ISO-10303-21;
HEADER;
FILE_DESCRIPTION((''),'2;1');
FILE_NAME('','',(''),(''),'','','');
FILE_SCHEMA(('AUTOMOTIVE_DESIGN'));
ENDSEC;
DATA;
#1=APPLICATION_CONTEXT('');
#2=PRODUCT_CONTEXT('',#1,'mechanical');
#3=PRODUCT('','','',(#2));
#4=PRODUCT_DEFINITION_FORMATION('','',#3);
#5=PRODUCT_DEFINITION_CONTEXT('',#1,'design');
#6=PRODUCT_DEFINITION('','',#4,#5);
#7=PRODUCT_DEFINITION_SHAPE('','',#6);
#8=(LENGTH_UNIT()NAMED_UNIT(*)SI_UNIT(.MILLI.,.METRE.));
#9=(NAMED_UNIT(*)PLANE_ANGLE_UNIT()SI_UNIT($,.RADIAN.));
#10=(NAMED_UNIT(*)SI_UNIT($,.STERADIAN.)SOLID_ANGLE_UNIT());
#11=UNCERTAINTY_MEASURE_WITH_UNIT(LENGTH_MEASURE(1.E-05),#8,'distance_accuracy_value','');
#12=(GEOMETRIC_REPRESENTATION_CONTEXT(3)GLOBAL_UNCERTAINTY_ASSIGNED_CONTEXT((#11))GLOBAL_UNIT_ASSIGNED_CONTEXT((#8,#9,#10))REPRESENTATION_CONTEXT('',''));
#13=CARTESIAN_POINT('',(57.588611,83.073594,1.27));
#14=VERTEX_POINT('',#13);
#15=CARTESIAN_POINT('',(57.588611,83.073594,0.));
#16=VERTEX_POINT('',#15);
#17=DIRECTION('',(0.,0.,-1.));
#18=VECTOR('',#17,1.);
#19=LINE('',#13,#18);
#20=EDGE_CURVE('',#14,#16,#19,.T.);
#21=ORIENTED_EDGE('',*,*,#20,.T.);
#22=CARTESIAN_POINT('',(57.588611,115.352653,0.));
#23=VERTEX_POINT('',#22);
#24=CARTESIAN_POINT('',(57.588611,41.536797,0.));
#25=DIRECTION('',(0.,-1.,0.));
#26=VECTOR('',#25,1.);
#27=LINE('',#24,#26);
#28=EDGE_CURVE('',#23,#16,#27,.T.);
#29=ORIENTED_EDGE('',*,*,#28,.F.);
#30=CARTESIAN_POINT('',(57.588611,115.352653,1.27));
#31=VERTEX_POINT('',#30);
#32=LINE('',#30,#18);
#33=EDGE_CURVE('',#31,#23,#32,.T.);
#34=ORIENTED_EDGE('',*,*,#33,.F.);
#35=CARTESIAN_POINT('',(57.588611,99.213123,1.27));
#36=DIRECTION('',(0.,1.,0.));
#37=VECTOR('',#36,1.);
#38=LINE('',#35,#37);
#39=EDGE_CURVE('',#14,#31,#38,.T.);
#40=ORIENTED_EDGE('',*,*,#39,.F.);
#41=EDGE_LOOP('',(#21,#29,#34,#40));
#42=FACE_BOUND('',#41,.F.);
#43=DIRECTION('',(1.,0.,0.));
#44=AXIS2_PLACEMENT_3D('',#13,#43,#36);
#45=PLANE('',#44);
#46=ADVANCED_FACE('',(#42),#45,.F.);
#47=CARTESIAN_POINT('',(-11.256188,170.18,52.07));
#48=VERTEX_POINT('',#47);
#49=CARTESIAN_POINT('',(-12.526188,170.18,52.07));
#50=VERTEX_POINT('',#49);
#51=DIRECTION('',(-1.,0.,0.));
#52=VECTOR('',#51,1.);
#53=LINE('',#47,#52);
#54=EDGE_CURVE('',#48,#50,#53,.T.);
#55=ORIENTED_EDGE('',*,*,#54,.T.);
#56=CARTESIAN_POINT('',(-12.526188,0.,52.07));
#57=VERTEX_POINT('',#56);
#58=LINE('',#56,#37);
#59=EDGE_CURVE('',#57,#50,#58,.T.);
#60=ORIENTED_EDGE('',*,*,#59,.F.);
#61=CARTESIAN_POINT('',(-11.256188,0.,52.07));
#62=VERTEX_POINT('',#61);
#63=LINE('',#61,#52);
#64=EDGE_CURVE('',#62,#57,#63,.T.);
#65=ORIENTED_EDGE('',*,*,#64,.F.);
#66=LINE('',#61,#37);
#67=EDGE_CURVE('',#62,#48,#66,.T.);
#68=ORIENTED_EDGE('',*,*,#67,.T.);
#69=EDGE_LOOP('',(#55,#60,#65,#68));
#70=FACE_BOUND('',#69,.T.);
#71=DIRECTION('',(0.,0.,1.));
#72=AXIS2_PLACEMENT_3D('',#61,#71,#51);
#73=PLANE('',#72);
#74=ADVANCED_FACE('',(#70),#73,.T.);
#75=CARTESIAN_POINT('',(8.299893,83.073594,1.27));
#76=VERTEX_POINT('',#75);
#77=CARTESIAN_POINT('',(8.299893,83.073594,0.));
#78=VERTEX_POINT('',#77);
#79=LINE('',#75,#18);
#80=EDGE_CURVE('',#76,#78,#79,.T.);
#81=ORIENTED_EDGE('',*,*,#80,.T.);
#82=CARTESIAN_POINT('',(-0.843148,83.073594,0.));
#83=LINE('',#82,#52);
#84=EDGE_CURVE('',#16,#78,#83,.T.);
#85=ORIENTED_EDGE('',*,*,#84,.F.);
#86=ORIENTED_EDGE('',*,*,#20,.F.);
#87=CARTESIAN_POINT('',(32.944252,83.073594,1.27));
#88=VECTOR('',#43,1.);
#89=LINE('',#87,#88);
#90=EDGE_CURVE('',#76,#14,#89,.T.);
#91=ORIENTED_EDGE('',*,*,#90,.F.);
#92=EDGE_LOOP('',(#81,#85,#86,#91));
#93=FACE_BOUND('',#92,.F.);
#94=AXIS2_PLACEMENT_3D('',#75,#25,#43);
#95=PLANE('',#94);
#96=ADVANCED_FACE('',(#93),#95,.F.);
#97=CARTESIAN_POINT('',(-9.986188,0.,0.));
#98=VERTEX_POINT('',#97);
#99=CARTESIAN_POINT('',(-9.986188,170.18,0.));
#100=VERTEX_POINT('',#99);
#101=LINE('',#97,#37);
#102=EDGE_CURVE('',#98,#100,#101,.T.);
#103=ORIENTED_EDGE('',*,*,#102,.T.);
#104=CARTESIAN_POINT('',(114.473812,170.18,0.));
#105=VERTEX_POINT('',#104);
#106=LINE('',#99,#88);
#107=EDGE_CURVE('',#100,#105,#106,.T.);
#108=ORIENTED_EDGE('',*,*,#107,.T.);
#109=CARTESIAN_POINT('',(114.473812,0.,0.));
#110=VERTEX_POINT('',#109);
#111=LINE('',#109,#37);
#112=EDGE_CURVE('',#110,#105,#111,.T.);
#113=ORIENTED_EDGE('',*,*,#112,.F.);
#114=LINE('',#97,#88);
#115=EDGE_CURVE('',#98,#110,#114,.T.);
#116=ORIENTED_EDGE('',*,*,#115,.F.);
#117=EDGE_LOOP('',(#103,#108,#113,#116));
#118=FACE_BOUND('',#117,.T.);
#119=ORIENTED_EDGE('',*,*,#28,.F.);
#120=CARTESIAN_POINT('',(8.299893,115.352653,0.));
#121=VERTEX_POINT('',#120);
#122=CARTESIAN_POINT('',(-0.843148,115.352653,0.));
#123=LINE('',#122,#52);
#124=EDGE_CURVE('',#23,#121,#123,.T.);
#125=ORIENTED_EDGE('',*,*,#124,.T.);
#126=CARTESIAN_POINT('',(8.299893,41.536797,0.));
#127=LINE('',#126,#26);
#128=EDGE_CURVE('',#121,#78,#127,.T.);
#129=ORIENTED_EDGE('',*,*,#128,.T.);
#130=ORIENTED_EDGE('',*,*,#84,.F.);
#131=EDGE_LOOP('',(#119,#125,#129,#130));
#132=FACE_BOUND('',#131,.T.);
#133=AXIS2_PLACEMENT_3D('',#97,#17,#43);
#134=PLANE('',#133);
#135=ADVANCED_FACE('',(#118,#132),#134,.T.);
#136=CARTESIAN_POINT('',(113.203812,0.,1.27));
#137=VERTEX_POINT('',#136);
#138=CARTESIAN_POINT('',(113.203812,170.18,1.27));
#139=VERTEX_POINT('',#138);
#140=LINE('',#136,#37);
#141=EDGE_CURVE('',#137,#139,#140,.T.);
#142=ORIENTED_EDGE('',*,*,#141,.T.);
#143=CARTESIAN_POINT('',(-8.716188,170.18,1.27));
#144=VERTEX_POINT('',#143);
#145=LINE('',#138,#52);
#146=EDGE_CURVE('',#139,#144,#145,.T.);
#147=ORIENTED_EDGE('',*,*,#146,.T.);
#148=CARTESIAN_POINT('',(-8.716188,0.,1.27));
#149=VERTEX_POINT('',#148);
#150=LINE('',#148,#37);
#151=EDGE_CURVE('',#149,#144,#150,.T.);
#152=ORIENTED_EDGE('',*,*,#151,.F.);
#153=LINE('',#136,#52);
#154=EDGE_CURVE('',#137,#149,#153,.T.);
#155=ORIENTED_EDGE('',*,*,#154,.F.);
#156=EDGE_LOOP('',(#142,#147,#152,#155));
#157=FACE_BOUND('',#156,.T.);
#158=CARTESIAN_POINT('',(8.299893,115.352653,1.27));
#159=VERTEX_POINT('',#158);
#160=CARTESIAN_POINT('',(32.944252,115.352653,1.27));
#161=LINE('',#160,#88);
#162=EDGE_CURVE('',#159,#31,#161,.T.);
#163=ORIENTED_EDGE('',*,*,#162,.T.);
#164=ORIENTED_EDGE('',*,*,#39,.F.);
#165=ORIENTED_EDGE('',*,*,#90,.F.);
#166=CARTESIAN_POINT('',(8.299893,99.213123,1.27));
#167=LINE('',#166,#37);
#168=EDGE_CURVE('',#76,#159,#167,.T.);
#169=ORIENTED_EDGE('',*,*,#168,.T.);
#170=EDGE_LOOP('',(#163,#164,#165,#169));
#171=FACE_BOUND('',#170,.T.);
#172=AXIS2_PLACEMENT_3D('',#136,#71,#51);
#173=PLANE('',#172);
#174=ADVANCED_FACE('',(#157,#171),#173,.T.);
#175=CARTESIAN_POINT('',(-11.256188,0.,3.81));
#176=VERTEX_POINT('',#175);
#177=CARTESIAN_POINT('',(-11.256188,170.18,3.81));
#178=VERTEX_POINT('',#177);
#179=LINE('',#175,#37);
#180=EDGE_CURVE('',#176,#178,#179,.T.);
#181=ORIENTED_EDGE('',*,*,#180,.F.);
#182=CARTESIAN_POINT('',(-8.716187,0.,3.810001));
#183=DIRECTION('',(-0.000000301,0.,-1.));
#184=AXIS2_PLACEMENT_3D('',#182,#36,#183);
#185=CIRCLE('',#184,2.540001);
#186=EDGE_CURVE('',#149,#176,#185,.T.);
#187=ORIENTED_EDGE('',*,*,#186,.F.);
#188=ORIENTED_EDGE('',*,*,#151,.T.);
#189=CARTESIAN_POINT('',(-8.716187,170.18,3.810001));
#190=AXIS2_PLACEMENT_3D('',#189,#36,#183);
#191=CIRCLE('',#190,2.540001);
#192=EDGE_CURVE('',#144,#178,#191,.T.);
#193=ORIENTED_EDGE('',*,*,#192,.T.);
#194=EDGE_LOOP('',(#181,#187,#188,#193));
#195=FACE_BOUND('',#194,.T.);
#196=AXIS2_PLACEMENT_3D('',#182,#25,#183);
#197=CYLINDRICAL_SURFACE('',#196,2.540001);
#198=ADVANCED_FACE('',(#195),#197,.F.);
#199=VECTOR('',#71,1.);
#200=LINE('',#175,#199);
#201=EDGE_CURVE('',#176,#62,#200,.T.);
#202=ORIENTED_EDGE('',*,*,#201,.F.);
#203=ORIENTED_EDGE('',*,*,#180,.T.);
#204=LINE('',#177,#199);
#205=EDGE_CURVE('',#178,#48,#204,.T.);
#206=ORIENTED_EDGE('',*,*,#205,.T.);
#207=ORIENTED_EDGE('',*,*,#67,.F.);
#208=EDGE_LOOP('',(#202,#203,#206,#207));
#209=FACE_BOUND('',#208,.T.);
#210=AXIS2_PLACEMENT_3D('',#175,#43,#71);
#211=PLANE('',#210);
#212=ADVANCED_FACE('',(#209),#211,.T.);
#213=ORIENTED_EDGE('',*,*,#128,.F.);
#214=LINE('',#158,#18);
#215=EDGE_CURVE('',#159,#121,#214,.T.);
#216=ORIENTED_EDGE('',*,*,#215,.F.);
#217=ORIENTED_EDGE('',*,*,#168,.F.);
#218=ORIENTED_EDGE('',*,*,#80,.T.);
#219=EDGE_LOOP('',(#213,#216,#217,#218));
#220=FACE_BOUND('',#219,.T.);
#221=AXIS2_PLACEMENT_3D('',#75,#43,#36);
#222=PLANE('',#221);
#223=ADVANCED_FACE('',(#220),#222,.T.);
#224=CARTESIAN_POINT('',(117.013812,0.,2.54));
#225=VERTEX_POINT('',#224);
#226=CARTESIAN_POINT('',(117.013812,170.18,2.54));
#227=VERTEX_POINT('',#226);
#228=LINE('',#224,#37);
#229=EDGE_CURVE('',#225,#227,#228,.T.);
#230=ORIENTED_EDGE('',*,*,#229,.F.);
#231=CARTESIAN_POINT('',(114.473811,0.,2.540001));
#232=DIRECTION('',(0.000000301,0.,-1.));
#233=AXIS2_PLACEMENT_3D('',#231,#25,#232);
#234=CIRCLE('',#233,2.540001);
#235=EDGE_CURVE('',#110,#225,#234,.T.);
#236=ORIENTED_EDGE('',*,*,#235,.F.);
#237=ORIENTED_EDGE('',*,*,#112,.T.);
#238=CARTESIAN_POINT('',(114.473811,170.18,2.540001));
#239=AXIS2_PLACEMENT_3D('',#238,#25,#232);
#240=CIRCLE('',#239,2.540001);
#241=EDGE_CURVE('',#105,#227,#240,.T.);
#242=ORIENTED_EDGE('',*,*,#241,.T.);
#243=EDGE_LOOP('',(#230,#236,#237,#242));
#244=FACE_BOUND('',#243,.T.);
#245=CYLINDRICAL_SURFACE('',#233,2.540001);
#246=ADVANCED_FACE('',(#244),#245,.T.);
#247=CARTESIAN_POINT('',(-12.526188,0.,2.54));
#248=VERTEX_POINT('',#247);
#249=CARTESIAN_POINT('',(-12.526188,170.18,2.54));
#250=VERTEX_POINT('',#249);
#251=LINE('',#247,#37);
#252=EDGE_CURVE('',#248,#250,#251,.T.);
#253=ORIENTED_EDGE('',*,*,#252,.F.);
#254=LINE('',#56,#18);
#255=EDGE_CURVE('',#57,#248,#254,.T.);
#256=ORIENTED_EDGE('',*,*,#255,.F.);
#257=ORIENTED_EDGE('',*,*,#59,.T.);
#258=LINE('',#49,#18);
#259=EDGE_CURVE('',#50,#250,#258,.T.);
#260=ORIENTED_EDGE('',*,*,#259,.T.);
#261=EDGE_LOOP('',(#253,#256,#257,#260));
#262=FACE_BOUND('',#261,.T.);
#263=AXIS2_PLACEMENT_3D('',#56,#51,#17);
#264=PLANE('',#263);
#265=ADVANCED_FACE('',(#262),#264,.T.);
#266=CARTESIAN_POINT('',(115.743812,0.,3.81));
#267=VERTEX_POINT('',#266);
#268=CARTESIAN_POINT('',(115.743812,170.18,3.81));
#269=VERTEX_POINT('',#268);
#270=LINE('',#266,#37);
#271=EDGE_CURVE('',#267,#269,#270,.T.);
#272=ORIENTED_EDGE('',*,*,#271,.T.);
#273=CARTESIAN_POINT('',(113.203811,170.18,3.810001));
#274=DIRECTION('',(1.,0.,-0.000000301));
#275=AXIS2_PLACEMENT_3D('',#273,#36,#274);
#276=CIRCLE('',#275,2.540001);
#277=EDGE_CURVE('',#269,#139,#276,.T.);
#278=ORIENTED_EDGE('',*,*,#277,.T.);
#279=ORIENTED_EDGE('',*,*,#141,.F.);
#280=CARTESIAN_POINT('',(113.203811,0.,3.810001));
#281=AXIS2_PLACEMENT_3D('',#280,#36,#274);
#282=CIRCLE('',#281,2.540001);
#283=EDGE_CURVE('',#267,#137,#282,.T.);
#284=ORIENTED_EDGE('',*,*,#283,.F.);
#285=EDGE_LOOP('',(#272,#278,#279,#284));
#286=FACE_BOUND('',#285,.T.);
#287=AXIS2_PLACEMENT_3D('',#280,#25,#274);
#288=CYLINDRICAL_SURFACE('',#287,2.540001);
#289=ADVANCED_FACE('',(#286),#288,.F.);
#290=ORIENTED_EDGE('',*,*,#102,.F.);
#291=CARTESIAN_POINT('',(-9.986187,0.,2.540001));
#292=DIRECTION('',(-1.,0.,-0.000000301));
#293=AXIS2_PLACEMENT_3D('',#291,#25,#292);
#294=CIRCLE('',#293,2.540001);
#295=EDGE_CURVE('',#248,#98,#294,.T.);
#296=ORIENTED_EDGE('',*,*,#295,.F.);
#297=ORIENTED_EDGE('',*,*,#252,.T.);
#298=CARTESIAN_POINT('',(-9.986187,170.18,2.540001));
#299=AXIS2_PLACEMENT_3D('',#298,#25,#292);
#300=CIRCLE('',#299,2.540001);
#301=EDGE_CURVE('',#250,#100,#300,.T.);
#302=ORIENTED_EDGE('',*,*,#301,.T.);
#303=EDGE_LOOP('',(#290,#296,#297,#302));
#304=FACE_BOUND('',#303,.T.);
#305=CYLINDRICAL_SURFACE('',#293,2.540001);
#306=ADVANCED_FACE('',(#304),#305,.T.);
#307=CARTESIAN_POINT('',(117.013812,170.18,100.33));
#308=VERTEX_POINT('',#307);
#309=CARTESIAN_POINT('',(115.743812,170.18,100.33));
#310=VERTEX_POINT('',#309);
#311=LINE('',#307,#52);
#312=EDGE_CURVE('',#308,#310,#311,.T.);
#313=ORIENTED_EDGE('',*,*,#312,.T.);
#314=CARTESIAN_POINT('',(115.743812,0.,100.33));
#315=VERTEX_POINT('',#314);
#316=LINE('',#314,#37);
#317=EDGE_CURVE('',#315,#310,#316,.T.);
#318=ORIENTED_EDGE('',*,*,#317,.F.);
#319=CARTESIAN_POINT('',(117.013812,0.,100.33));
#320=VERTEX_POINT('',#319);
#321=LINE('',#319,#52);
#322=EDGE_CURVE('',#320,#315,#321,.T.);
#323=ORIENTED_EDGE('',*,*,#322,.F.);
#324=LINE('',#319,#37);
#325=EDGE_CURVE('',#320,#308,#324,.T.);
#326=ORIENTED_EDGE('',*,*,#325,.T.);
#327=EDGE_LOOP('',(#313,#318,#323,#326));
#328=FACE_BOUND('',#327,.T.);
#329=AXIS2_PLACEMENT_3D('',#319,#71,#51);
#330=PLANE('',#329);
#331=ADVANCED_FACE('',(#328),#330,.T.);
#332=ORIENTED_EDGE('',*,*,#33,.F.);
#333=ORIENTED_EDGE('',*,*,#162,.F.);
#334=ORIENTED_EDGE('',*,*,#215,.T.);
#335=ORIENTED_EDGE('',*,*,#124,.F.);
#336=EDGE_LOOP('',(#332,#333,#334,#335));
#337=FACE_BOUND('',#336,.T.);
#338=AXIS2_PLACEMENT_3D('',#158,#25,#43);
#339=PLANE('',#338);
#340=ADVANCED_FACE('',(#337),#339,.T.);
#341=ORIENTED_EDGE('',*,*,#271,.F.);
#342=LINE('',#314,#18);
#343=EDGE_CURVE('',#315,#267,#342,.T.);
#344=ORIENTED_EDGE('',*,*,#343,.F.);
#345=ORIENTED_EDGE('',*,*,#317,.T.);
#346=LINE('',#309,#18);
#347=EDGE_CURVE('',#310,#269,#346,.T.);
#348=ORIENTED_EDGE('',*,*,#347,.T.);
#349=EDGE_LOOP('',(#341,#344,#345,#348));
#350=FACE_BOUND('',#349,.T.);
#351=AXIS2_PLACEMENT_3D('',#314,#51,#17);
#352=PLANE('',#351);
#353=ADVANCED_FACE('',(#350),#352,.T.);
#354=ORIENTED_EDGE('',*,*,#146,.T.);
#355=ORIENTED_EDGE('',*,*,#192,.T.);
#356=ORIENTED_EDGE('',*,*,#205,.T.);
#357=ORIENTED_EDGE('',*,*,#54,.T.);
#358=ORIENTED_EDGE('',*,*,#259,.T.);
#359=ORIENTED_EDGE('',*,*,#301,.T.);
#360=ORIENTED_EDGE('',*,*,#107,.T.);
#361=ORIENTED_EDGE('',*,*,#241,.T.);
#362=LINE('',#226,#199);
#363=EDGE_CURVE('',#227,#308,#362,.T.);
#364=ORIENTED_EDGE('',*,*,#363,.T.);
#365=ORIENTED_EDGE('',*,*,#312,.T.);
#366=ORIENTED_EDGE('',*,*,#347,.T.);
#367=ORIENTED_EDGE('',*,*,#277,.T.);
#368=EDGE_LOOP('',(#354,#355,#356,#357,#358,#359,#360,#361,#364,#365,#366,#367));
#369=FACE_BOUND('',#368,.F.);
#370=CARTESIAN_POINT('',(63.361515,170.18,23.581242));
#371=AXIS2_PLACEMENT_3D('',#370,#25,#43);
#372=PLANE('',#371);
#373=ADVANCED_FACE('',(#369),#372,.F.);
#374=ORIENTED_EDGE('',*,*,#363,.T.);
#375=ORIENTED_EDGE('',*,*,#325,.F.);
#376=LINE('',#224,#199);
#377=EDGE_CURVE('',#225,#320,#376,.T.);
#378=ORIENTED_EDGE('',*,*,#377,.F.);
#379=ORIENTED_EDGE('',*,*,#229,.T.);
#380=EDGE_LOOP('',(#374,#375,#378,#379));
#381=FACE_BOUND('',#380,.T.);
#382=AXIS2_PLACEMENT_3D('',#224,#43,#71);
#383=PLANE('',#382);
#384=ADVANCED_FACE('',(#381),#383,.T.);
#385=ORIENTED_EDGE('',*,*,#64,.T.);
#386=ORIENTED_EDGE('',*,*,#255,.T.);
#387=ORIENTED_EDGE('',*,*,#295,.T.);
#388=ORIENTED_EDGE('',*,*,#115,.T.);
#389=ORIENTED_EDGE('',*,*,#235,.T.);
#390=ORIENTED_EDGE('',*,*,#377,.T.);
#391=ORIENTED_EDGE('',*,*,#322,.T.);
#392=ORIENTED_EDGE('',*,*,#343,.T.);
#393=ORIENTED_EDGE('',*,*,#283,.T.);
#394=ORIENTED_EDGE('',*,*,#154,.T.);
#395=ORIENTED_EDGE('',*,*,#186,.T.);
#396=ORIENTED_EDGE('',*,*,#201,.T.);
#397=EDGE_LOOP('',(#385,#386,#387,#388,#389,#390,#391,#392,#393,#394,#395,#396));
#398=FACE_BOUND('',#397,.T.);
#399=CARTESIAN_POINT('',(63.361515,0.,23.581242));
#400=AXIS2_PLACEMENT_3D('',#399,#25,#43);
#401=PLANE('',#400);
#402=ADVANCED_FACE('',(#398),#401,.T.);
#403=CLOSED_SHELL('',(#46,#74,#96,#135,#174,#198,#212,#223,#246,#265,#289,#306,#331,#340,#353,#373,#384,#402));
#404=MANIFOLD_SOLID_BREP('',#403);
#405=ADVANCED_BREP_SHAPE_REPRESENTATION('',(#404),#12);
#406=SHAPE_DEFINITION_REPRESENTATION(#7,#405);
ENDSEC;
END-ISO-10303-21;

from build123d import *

# Parameters (mm, degrees)
F1_DEPTH = 170.18
F2_W     = 49.288719
F2_H     = 32.279059
F3_DEPTH = 25.4


with BuildPart() as f1:
    # F0 (on Front) → F1 (new body)
    with BuildSketch(Plane.XZ):
        with BuildLine():
            Line((-9.986188, 0), (0, 0))
            Line((0, 0), (114.473812, 0))
            ThreePointArc((114.473812, 0), (116.269863, 0.743949), (117.013812, 2.54))
            Line((117.013812, 2.54), (117.013812, 100.33))
            Line((117.013812, 100.33), (115.743812, 100.33))
            Line((115.743812, 100.33), (115.743812, 3.81))
            ThreePointArc((115.743812, 3.81), (114.999863, 2.013949), (113.203812, 1.27))
            Line((113.203812, 1.27), (-8.716188, 1.27))
            ThreePointArc((-8.716188, 1.27), (-10.512239, 2.013949), (-11.256188, 3.81))
            Line((-11.256188, 3.81), (-11.256188, 52.07))
            Line((-11.256188, 52.07), (-12.526188, 52.07))
            Line((-12.526188, 52.07), (-12.526188, 2.54))
            ThreePointArc((-12.526188, 2.54), (-11.782239, 0.743949), (-9.986188, 0))
        make_face()
    extrude(amount=-F1_DEPTH)

    # F2 (on face) → F3 (cut)
    with BuildSketch(Plane.XY.offset(1.27)):
        with Locations((32.944252, 99.213123)):
            Rectangle(F2_W, F2_H)
    extrude(amount=-F3_DEPTH, mode=Mode.SUBTRACT)


solid = f1.part
